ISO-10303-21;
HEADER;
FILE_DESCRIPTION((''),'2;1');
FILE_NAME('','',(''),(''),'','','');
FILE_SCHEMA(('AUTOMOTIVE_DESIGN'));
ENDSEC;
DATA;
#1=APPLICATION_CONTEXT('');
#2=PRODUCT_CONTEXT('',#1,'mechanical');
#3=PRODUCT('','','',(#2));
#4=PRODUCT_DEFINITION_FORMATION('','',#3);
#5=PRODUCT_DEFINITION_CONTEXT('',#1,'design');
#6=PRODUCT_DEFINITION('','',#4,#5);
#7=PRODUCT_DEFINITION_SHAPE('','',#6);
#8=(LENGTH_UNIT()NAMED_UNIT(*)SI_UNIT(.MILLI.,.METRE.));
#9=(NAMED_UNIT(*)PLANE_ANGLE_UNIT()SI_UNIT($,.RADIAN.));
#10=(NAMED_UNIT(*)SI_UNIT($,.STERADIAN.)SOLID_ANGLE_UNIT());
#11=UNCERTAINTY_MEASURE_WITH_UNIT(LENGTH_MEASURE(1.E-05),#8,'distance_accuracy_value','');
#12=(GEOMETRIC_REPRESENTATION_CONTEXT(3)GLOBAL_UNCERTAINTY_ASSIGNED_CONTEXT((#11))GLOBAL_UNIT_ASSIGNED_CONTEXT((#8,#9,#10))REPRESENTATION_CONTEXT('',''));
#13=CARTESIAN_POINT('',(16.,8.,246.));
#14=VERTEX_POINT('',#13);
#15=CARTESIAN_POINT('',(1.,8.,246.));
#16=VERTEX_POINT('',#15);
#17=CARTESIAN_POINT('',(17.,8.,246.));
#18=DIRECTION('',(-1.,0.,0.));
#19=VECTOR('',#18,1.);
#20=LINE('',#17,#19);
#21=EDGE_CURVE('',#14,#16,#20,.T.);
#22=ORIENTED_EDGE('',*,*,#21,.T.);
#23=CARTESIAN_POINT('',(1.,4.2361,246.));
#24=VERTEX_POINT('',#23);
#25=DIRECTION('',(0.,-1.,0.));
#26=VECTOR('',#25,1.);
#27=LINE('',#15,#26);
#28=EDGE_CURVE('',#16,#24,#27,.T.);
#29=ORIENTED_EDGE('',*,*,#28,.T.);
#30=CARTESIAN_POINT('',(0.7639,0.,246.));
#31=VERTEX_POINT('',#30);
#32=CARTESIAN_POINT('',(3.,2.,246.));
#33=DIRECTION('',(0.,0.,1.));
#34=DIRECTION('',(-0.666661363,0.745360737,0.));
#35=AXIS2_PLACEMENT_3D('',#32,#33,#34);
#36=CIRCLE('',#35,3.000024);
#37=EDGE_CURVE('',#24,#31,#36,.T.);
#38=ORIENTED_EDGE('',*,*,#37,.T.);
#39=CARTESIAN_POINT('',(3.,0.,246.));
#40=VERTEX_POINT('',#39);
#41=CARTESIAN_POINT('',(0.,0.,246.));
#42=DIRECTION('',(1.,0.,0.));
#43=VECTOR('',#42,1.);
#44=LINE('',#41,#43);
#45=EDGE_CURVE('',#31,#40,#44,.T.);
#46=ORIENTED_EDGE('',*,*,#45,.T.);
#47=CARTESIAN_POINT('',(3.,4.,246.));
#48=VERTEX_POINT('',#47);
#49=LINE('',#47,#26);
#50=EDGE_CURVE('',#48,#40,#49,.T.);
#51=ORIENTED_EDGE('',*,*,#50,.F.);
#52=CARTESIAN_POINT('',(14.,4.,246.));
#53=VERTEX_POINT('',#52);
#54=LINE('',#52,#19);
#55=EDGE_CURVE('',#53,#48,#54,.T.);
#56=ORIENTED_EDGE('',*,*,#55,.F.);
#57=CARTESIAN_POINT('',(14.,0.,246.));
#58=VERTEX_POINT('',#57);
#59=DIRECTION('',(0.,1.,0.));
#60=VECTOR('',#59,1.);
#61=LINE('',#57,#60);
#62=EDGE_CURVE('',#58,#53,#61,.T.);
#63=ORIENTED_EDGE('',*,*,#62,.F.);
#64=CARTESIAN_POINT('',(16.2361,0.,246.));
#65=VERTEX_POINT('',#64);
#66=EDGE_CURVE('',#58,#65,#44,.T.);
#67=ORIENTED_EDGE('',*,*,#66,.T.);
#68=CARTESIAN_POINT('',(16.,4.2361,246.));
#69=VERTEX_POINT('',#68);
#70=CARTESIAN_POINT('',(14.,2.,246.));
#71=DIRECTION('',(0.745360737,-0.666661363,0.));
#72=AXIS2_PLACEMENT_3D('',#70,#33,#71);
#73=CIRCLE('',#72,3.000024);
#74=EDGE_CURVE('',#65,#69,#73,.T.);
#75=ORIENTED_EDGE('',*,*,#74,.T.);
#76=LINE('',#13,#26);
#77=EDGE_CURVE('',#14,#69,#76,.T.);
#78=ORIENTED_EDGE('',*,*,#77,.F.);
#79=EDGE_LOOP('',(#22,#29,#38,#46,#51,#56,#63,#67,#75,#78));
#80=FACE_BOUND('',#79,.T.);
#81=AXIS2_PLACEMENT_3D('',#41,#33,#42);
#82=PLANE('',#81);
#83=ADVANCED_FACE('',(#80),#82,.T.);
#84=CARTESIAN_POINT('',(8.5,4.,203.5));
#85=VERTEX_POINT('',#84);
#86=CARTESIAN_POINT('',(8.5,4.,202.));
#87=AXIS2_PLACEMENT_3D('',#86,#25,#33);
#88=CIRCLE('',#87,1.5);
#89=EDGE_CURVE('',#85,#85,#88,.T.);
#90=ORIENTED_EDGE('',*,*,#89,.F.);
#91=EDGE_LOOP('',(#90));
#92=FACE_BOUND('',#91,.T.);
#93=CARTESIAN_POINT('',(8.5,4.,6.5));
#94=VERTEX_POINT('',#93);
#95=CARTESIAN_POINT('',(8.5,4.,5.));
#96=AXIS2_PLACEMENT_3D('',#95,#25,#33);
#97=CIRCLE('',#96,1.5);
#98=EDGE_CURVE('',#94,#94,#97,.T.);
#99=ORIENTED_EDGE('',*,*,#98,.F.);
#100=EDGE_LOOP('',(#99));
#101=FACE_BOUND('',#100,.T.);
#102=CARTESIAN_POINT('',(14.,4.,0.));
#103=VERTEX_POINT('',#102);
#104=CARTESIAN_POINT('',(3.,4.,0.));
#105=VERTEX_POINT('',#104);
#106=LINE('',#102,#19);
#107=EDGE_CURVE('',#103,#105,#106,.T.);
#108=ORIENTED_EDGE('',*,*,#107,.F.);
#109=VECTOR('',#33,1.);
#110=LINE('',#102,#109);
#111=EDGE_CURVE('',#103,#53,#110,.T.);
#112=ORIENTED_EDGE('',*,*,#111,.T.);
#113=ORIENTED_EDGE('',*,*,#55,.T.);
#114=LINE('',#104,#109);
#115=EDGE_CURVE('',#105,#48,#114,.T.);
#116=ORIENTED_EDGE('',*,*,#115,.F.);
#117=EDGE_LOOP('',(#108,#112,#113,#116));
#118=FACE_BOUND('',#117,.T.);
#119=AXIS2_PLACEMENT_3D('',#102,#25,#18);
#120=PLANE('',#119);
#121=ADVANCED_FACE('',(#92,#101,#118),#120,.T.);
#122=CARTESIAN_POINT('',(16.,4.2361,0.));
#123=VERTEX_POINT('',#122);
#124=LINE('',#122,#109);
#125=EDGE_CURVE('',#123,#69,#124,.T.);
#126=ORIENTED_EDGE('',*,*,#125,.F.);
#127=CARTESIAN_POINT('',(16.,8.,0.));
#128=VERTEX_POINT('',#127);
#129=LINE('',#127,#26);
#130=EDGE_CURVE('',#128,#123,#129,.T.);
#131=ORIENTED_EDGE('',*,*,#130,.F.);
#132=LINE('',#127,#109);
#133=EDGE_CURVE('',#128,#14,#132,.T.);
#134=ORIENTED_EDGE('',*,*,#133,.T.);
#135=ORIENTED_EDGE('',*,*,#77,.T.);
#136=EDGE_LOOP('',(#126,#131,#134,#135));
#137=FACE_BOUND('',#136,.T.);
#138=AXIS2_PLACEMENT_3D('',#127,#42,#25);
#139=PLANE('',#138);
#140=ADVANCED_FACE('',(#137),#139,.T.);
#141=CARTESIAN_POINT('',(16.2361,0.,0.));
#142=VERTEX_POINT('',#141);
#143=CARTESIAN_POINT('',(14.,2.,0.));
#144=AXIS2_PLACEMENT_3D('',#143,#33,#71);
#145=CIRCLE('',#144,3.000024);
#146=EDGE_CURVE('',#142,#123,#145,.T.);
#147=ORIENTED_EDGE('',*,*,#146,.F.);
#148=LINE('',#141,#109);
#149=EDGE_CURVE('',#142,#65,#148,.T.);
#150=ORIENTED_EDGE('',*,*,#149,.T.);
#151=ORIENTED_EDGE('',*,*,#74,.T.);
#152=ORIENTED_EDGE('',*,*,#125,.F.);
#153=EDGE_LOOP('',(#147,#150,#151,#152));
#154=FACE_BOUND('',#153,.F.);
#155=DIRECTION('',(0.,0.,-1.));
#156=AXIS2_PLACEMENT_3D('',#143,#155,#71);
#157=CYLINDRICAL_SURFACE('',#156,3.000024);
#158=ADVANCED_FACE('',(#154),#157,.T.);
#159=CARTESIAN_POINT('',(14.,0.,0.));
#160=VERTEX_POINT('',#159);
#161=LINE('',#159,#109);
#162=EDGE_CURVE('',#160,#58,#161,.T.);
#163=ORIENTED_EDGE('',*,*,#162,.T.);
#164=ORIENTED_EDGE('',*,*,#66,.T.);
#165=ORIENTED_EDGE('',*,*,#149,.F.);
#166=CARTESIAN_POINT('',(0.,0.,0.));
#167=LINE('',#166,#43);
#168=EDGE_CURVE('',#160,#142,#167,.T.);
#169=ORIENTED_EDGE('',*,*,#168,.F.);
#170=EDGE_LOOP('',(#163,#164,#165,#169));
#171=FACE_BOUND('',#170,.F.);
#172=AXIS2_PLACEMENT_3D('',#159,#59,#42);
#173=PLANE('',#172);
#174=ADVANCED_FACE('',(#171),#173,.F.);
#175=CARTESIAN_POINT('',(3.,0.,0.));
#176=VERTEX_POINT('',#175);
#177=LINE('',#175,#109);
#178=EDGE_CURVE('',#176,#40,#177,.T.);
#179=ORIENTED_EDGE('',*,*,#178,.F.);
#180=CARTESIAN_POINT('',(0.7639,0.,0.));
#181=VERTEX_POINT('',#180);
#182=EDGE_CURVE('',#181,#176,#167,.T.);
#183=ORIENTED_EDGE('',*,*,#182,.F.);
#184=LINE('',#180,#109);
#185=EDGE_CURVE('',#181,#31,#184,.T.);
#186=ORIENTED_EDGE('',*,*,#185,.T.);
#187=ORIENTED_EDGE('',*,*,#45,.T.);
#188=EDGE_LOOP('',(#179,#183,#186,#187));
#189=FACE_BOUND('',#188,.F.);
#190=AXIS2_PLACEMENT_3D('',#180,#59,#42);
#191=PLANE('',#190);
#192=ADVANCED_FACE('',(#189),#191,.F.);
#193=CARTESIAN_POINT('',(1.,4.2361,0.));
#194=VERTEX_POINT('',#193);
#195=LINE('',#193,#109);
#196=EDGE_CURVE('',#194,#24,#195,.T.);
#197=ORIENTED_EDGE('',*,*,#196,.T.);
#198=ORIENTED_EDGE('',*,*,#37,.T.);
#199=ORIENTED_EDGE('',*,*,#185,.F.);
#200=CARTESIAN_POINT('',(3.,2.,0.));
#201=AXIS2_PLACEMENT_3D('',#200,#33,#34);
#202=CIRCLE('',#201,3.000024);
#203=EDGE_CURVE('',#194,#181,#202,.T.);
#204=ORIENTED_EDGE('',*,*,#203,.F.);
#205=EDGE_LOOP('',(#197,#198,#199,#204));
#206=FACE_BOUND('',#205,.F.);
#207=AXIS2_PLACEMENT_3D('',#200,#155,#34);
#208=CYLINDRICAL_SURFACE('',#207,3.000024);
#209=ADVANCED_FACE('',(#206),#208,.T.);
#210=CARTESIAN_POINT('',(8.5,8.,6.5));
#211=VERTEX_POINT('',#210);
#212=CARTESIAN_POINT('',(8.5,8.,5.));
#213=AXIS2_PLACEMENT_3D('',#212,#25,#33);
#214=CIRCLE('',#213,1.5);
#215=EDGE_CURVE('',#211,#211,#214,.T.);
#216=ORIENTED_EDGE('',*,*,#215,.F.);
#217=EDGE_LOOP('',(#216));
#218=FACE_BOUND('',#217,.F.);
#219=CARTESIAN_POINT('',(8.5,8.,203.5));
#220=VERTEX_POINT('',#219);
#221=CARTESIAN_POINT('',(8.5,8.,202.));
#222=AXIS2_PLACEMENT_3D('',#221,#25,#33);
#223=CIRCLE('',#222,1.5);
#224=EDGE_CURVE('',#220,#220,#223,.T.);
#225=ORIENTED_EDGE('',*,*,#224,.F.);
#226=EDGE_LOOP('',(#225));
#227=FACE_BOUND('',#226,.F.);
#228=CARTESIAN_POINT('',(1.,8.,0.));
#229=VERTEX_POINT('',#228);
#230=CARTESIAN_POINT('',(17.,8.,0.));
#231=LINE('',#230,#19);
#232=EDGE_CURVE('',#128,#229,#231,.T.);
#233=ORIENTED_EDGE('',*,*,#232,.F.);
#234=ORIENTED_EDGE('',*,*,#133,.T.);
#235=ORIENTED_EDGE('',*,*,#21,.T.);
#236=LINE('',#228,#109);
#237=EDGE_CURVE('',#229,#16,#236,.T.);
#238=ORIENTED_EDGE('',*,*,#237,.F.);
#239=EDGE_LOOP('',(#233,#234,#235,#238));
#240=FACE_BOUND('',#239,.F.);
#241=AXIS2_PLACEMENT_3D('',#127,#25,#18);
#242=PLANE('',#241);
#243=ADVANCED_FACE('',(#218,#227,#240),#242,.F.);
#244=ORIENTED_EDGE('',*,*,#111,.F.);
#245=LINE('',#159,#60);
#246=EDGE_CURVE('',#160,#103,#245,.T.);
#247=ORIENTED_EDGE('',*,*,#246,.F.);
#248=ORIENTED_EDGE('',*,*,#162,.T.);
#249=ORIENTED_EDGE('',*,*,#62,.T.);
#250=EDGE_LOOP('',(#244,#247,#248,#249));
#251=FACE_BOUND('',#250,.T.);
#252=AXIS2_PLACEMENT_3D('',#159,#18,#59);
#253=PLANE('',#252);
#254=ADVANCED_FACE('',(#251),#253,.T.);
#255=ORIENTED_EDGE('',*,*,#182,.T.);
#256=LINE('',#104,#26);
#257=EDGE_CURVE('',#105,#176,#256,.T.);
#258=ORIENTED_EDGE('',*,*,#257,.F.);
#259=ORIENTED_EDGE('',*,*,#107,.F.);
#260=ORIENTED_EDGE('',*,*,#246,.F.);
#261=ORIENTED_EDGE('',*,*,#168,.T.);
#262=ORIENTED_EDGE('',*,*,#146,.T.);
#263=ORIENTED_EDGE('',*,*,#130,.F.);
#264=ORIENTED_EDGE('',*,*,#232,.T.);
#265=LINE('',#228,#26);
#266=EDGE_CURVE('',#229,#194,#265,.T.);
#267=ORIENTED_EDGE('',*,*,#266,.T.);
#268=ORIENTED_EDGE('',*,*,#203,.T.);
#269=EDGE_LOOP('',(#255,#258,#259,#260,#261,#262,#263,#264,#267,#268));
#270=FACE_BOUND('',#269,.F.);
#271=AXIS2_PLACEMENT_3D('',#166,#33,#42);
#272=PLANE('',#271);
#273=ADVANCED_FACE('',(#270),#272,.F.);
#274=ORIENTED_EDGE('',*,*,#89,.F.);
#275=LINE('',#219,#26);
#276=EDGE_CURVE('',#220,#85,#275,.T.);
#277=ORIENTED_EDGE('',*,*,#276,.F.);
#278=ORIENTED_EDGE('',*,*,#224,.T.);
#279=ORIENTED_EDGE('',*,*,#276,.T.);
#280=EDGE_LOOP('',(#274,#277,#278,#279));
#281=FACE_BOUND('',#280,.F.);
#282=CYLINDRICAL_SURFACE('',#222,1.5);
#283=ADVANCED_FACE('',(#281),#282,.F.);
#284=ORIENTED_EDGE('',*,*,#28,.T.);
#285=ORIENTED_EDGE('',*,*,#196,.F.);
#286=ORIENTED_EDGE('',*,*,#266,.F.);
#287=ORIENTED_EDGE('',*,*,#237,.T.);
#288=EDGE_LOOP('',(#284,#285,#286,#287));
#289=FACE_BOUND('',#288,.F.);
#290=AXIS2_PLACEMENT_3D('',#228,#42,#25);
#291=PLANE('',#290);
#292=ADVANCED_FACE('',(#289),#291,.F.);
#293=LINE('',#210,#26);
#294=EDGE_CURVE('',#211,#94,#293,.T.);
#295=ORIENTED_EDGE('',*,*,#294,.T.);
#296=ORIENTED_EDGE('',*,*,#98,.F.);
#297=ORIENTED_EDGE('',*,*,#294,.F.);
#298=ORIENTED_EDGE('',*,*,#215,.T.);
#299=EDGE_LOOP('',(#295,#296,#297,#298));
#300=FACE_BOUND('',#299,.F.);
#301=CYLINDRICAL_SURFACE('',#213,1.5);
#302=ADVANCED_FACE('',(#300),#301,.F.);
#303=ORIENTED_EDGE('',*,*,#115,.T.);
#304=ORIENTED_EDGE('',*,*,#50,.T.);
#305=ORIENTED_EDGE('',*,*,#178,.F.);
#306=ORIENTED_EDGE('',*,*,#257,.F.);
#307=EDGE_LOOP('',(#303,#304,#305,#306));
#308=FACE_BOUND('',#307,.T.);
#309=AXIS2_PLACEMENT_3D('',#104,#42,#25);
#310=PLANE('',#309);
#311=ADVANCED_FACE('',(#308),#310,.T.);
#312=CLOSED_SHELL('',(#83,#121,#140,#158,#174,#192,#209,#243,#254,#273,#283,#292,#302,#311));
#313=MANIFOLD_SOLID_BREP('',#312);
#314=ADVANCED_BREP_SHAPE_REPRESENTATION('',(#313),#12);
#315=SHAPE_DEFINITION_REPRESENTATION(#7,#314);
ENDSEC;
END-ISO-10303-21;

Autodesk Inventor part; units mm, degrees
ref_plane "YZ Plane" through (0, 0, 0) normal (1, 0, 0) x (0, 1, 0)
ref_plane "XZ Plane" through (0, 0, 0) normal (0, 1, 0) x (-1, 0, 0)
ref_plane "XY Plane" through (0, 0, 0) normal (0, 0, 1) x (1, 0, 0)
sketch "スケッチ1" plane through (0, 0, 0) normal (0, 0, 1) x (1, 0, 0)
  line L0 (0, 0) -> (16.2361, 0)
  line L1 (17, 8) -> (0, 8)
  line L2 (3, 0) -> (14, 0)
  line L3 (14, 0) -> (14, 4)
  line L4 (14, 4) -> (3, 4)
  line L5 (3, 4) -> (3, 0)
  arc A0 (16.2361, 0) -> (16, 4.2361) centre (14, 2) ccw
  arc A1 (1, 4.2361) -> (0.7639, 0) centre (3, 2) ccw
  line L6 (16, 8) -> (16, 4.2361)
  line L7 (1, 8) -> (1, 4.2361)
  point P0 (8.5, 8)
  point P1 (8.5, 4)
  dimension "d0" = 17
  dimension "d2" = 11
  dimension "d3" = 4
  dimension "d15" = 7.5
  dimension "d16" = 15
  dimension "d17" = 8
  dimension "d18" = 17
extrude "押し出し1" add sketch "スケッチ1" along normal blind 246 contours A1 L7 L1 L6 A0 L0 L3 L4 L5
sketch "スケッチ2" plane through (0, 8, 0) normal (0, 1, 0) x (1, 0, 0)
  line L0 (16, 0) -> (0, 0) projected
  line L1 (-88, 0) -> (-88, -156.2142)
  line L2 (-88, -156.2142) -> (215.5, -300.2142)
  line L3 (3, 0) -> (3, -246) projected
  point P0 (8.5, -5)
  point P1 (8.5, -202)
  point P2 (8, 0)
  point P3 (17, 0)
  point P4 (1, 0)
  dimension "d6" = 5
  dimension "d20" = 96
  dimension "d21" = 303.5
  dimension "d22" = 144
  dimension "d23" = 5.5
  dimension "d24" = 197
hole "穴1" at (8.5, 8, 5) at (8.5, 8, 202) direction (0, -1, 0) diameter 3 depth 8 tip angle 118
properties part number "slider4b"
